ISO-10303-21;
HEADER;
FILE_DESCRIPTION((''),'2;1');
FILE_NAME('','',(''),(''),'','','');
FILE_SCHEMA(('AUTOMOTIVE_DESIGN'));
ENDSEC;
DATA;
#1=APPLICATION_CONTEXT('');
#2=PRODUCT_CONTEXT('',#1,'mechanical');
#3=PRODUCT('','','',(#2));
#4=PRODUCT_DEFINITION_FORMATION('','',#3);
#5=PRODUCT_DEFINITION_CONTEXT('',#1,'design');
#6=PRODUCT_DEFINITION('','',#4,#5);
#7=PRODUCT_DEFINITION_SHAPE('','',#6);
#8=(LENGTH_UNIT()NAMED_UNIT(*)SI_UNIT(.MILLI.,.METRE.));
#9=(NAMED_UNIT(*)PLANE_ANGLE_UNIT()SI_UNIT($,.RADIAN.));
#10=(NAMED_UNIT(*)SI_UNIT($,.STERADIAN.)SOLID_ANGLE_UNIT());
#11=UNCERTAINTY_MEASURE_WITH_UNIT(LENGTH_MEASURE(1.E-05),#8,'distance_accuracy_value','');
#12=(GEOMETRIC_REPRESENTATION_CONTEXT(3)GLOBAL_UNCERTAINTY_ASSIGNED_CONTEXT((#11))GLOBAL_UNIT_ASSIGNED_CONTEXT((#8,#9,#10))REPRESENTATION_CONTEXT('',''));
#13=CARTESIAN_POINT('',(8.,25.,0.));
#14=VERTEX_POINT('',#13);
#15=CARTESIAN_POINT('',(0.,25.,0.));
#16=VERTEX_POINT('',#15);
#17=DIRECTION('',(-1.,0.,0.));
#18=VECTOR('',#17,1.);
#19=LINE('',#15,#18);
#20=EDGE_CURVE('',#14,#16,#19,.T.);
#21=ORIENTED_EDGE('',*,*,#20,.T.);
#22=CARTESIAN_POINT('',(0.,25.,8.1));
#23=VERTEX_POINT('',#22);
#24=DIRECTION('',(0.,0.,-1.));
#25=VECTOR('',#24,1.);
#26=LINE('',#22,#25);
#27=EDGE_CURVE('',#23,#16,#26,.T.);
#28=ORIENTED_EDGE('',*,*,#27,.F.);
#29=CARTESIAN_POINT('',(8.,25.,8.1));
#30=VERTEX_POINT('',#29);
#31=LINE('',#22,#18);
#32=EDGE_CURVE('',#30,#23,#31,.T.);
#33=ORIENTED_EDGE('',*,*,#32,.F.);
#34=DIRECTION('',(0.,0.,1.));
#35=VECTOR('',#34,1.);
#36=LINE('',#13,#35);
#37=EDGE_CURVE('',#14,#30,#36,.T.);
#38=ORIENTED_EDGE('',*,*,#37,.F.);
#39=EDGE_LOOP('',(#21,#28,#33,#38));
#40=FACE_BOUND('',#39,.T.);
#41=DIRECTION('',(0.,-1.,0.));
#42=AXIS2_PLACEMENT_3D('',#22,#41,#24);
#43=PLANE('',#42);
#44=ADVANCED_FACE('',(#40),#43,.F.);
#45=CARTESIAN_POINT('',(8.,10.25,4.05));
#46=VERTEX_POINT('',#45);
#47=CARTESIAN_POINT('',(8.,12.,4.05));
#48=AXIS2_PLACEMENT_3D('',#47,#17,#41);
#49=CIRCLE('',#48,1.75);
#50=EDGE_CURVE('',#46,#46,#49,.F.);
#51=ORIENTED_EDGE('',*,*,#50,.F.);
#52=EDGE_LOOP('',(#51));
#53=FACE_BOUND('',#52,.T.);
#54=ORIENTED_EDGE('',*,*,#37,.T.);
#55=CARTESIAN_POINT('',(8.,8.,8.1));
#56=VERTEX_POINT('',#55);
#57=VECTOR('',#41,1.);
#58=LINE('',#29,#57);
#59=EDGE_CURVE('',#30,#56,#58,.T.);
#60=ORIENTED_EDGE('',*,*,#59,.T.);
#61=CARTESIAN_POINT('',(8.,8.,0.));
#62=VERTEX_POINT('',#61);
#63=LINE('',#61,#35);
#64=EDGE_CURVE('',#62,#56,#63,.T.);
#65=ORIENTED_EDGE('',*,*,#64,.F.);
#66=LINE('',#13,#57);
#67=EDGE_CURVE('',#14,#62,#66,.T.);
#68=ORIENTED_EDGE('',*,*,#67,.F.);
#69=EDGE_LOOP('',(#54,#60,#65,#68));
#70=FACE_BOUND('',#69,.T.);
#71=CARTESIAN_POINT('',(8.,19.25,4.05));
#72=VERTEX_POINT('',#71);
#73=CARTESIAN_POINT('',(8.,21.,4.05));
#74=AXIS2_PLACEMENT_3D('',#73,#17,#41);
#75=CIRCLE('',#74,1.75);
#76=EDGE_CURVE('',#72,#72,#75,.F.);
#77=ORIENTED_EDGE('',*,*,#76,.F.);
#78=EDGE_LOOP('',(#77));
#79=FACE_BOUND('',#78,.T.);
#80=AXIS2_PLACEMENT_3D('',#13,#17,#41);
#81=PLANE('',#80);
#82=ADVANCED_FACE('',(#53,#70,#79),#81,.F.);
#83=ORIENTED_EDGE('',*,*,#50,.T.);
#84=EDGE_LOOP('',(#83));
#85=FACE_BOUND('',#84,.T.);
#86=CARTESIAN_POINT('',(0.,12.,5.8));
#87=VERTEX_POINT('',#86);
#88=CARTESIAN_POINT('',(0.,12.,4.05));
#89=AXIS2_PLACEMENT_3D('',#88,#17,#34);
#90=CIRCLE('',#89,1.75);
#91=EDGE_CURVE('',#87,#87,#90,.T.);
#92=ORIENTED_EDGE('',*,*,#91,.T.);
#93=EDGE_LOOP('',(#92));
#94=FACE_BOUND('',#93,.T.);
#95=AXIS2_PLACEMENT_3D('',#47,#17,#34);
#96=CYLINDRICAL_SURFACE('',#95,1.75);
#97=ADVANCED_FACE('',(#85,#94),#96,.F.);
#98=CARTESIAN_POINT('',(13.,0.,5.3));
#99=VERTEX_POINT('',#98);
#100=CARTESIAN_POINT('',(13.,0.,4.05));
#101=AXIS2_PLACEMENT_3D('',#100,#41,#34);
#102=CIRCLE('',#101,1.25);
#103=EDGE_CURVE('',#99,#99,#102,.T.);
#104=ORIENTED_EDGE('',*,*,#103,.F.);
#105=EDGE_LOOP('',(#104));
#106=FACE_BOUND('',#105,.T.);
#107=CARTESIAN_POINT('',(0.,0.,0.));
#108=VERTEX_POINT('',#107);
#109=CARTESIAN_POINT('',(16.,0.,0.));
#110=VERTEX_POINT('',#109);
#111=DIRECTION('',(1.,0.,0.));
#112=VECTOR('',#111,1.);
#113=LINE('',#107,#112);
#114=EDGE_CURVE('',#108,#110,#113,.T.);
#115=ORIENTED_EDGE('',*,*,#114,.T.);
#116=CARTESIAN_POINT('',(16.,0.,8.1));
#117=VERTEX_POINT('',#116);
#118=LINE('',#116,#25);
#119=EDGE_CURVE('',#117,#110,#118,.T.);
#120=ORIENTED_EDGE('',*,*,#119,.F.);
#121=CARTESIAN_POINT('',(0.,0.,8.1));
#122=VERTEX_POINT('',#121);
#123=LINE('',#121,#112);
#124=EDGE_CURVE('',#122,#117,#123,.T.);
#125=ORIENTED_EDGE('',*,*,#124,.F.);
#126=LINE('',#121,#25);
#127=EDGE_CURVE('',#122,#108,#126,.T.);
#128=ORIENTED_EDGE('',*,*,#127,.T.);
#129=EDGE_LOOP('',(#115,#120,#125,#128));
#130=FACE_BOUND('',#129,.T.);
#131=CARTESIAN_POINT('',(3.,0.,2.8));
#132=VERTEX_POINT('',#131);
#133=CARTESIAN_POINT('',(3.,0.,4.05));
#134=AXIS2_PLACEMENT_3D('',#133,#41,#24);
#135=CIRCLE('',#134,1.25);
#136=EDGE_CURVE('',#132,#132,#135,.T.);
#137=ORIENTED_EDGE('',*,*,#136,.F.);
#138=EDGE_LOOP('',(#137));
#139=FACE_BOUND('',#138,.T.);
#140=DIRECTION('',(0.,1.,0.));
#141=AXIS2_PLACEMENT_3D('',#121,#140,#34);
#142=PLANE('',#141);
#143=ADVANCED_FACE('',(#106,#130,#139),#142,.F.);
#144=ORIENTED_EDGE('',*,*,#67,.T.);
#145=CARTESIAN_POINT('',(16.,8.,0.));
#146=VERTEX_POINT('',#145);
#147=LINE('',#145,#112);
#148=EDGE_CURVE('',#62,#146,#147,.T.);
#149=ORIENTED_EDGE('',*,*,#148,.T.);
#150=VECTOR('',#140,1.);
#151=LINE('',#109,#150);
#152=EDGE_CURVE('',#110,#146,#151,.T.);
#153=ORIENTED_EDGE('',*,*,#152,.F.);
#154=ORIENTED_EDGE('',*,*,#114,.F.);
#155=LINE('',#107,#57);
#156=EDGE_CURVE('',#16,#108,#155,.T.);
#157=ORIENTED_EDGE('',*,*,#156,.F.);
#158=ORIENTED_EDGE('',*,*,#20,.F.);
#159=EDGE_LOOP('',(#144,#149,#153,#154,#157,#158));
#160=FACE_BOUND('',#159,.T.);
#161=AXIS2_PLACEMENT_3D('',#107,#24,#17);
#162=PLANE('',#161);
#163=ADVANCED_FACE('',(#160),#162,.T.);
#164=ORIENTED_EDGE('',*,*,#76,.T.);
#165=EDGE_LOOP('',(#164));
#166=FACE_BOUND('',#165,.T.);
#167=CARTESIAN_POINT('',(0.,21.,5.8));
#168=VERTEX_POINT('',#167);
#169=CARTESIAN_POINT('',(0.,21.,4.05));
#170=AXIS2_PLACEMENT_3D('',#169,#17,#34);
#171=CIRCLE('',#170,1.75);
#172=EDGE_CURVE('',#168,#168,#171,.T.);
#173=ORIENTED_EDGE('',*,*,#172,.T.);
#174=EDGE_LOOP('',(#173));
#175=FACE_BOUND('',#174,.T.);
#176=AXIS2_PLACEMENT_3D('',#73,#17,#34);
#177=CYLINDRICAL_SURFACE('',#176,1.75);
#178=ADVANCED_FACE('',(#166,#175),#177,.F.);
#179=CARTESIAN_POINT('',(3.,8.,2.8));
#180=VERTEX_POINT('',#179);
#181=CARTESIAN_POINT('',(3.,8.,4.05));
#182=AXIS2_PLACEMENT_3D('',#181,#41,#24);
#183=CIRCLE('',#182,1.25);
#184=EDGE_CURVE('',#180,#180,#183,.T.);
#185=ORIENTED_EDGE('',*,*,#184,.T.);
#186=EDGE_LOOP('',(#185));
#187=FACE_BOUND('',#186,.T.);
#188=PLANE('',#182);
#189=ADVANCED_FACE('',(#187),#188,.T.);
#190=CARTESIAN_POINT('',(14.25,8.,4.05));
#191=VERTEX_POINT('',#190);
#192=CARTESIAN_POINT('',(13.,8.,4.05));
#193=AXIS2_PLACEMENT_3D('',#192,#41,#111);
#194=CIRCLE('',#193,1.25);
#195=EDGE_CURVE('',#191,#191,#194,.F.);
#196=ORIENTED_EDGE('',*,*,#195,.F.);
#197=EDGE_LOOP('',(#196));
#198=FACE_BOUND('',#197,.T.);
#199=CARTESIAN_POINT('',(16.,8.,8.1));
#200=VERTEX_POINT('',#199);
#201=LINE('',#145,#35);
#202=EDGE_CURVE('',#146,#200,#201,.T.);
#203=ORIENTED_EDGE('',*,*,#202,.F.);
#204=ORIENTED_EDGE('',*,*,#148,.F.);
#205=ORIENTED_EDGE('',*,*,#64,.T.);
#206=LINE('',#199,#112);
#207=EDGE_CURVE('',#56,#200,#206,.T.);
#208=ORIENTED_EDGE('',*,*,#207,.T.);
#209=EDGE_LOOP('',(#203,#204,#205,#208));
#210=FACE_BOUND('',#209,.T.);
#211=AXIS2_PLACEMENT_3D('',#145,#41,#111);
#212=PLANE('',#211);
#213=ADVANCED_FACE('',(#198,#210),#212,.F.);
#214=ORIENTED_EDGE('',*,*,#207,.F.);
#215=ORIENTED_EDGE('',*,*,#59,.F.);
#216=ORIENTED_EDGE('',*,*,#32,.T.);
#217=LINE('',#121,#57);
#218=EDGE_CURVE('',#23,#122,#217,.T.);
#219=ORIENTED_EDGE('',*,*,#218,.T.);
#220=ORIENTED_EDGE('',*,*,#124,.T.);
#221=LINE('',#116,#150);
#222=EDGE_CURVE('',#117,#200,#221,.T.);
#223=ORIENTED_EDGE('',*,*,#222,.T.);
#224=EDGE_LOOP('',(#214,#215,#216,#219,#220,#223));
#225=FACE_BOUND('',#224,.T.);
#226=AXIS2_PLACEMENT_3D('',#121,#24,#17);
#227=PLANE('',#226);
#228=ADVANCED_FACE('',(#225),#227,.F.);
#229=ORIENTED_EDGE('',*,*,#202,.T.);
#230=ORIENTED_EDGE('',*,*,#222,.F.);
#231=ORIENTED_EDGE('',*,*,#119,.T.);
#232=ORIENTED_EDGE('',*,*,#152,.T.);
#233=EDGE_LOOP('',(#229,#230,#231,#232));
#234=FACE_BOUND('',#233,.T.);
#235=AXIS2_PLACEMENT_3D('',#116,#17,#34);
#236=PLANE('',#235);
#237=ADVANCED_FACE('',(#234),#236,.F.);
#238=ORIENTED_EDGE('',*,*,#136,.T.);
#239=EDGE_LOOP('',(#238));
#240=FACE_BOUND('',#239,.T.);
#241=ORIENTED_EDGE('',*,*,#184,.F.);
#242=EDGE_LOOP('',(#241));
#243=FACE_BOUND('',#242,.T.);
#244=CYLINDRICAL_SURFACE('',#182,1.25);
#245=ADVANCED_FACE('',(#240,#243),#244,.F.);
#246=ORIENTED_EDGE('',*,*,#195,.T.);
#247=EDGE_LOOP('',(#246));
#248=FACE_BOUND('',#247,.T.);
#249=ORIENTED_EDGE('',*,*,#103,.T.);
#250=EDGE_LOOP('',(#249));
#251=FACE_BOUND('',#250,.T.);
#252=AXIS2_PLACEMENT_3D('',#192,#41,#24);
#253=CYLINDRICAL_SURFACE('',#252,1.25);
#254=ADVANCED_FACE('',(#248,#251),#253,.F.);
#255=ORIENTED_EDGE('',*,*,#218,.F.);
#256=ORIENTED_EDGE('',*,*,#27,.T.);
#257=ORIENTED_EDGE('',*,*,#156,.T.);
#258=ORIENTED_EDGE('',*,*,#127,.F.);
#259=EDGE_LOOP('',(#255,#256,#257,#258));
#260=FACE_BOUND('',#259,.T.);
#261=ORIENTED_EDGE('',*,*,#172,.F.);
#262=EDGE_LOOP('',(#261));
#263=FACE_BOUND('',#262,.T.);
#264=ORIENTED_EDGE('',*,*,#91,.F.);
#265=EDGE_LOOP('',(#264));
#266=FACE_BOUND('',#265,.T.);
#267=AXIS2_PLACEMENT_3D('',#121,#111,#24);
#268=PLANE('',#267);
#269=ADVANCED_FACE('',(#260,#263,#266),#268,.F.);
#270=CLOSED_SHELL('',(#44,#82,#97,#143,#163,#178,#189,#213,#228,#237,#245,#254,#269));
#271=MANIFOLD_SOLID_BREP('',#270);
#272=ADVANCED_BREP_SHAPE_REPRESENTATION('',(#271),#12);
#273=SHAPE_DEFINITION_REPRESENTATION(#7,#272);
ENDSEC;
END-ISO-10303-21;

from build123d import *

# Parameters (mm, degrees)
ESQUISSE1_W             = 16
ESQUISSE1_H             = 25
BOSS_EXTRU_1_DEPTH      = 8.1
ESQUISSE2_R             = 1.25
ENL_V_MAT_EXTRU_1_DEPTH = 8
ESQUISSE3_R             = 1.75
ENL_V_MAT_EXTRU_2_DEPTH = 8
ESQUISSE4_W             = 8
ESQUISSE4_H             = 17
ENL_V_MAT_EXTRU_3_DEPTH = 31.767027806


with BuildPart() as part:
    # Esquisse1 → Boss.-Extru.1 (new body)
    with BuildSketch(Plane.XY):
        with Locations((8, 12.5)):
            Rectangle(ESQUISSE1_W, ESQUISSE1_H)
    extrude(amount=BOSS_EXTRU_1_DEPTH)

    # Esquisse2 → Enlèv. mat.-Extru.1 (cut)
    with BuildSketch(Plane.XZ):
        with Locations(Location((3, 4.05, 0), (0, 0, 270))):
            Circle(ESQUISSE2_R)
        with Locations(Location((13, 4.05, 0), (0, 0, 90))):
            Circle(ESQUISSE2_R)
    extrude(amount=-ENL_V_MAT_EXTRU_1_DEPTH, mode=Mode.SUBTRACT)

    # Esquisse3 → Enlèv. mat.-Extru.2 (cut)
    with BuildSketch(Plane.ZY):
        with Locations((4.05, 21)):
            Circle(ESQUISSE3_R)
        with Locations((4.05, 12)):
            Circle(ESQUISSE3_R)
    extrude(amount=-ENL_V_MAT_EXTRU_2_DEPTH, mode=Mode.SUBTRACT)

    # Esquisse4 → Enlèv. mat.-Extru.3 (cut, through all)
    with BuildSketch(Plane.XY.offset(8.1)):
        with Locations((12, 16.5)):
            Rectangle(ESQUISSE4_W, ESQUISSE4_H)
    extrude(amount=-ENL_V_MAT_EXTRU_3_DEPTH, mode=Mode.SUBTRACT)


solid = part.part
